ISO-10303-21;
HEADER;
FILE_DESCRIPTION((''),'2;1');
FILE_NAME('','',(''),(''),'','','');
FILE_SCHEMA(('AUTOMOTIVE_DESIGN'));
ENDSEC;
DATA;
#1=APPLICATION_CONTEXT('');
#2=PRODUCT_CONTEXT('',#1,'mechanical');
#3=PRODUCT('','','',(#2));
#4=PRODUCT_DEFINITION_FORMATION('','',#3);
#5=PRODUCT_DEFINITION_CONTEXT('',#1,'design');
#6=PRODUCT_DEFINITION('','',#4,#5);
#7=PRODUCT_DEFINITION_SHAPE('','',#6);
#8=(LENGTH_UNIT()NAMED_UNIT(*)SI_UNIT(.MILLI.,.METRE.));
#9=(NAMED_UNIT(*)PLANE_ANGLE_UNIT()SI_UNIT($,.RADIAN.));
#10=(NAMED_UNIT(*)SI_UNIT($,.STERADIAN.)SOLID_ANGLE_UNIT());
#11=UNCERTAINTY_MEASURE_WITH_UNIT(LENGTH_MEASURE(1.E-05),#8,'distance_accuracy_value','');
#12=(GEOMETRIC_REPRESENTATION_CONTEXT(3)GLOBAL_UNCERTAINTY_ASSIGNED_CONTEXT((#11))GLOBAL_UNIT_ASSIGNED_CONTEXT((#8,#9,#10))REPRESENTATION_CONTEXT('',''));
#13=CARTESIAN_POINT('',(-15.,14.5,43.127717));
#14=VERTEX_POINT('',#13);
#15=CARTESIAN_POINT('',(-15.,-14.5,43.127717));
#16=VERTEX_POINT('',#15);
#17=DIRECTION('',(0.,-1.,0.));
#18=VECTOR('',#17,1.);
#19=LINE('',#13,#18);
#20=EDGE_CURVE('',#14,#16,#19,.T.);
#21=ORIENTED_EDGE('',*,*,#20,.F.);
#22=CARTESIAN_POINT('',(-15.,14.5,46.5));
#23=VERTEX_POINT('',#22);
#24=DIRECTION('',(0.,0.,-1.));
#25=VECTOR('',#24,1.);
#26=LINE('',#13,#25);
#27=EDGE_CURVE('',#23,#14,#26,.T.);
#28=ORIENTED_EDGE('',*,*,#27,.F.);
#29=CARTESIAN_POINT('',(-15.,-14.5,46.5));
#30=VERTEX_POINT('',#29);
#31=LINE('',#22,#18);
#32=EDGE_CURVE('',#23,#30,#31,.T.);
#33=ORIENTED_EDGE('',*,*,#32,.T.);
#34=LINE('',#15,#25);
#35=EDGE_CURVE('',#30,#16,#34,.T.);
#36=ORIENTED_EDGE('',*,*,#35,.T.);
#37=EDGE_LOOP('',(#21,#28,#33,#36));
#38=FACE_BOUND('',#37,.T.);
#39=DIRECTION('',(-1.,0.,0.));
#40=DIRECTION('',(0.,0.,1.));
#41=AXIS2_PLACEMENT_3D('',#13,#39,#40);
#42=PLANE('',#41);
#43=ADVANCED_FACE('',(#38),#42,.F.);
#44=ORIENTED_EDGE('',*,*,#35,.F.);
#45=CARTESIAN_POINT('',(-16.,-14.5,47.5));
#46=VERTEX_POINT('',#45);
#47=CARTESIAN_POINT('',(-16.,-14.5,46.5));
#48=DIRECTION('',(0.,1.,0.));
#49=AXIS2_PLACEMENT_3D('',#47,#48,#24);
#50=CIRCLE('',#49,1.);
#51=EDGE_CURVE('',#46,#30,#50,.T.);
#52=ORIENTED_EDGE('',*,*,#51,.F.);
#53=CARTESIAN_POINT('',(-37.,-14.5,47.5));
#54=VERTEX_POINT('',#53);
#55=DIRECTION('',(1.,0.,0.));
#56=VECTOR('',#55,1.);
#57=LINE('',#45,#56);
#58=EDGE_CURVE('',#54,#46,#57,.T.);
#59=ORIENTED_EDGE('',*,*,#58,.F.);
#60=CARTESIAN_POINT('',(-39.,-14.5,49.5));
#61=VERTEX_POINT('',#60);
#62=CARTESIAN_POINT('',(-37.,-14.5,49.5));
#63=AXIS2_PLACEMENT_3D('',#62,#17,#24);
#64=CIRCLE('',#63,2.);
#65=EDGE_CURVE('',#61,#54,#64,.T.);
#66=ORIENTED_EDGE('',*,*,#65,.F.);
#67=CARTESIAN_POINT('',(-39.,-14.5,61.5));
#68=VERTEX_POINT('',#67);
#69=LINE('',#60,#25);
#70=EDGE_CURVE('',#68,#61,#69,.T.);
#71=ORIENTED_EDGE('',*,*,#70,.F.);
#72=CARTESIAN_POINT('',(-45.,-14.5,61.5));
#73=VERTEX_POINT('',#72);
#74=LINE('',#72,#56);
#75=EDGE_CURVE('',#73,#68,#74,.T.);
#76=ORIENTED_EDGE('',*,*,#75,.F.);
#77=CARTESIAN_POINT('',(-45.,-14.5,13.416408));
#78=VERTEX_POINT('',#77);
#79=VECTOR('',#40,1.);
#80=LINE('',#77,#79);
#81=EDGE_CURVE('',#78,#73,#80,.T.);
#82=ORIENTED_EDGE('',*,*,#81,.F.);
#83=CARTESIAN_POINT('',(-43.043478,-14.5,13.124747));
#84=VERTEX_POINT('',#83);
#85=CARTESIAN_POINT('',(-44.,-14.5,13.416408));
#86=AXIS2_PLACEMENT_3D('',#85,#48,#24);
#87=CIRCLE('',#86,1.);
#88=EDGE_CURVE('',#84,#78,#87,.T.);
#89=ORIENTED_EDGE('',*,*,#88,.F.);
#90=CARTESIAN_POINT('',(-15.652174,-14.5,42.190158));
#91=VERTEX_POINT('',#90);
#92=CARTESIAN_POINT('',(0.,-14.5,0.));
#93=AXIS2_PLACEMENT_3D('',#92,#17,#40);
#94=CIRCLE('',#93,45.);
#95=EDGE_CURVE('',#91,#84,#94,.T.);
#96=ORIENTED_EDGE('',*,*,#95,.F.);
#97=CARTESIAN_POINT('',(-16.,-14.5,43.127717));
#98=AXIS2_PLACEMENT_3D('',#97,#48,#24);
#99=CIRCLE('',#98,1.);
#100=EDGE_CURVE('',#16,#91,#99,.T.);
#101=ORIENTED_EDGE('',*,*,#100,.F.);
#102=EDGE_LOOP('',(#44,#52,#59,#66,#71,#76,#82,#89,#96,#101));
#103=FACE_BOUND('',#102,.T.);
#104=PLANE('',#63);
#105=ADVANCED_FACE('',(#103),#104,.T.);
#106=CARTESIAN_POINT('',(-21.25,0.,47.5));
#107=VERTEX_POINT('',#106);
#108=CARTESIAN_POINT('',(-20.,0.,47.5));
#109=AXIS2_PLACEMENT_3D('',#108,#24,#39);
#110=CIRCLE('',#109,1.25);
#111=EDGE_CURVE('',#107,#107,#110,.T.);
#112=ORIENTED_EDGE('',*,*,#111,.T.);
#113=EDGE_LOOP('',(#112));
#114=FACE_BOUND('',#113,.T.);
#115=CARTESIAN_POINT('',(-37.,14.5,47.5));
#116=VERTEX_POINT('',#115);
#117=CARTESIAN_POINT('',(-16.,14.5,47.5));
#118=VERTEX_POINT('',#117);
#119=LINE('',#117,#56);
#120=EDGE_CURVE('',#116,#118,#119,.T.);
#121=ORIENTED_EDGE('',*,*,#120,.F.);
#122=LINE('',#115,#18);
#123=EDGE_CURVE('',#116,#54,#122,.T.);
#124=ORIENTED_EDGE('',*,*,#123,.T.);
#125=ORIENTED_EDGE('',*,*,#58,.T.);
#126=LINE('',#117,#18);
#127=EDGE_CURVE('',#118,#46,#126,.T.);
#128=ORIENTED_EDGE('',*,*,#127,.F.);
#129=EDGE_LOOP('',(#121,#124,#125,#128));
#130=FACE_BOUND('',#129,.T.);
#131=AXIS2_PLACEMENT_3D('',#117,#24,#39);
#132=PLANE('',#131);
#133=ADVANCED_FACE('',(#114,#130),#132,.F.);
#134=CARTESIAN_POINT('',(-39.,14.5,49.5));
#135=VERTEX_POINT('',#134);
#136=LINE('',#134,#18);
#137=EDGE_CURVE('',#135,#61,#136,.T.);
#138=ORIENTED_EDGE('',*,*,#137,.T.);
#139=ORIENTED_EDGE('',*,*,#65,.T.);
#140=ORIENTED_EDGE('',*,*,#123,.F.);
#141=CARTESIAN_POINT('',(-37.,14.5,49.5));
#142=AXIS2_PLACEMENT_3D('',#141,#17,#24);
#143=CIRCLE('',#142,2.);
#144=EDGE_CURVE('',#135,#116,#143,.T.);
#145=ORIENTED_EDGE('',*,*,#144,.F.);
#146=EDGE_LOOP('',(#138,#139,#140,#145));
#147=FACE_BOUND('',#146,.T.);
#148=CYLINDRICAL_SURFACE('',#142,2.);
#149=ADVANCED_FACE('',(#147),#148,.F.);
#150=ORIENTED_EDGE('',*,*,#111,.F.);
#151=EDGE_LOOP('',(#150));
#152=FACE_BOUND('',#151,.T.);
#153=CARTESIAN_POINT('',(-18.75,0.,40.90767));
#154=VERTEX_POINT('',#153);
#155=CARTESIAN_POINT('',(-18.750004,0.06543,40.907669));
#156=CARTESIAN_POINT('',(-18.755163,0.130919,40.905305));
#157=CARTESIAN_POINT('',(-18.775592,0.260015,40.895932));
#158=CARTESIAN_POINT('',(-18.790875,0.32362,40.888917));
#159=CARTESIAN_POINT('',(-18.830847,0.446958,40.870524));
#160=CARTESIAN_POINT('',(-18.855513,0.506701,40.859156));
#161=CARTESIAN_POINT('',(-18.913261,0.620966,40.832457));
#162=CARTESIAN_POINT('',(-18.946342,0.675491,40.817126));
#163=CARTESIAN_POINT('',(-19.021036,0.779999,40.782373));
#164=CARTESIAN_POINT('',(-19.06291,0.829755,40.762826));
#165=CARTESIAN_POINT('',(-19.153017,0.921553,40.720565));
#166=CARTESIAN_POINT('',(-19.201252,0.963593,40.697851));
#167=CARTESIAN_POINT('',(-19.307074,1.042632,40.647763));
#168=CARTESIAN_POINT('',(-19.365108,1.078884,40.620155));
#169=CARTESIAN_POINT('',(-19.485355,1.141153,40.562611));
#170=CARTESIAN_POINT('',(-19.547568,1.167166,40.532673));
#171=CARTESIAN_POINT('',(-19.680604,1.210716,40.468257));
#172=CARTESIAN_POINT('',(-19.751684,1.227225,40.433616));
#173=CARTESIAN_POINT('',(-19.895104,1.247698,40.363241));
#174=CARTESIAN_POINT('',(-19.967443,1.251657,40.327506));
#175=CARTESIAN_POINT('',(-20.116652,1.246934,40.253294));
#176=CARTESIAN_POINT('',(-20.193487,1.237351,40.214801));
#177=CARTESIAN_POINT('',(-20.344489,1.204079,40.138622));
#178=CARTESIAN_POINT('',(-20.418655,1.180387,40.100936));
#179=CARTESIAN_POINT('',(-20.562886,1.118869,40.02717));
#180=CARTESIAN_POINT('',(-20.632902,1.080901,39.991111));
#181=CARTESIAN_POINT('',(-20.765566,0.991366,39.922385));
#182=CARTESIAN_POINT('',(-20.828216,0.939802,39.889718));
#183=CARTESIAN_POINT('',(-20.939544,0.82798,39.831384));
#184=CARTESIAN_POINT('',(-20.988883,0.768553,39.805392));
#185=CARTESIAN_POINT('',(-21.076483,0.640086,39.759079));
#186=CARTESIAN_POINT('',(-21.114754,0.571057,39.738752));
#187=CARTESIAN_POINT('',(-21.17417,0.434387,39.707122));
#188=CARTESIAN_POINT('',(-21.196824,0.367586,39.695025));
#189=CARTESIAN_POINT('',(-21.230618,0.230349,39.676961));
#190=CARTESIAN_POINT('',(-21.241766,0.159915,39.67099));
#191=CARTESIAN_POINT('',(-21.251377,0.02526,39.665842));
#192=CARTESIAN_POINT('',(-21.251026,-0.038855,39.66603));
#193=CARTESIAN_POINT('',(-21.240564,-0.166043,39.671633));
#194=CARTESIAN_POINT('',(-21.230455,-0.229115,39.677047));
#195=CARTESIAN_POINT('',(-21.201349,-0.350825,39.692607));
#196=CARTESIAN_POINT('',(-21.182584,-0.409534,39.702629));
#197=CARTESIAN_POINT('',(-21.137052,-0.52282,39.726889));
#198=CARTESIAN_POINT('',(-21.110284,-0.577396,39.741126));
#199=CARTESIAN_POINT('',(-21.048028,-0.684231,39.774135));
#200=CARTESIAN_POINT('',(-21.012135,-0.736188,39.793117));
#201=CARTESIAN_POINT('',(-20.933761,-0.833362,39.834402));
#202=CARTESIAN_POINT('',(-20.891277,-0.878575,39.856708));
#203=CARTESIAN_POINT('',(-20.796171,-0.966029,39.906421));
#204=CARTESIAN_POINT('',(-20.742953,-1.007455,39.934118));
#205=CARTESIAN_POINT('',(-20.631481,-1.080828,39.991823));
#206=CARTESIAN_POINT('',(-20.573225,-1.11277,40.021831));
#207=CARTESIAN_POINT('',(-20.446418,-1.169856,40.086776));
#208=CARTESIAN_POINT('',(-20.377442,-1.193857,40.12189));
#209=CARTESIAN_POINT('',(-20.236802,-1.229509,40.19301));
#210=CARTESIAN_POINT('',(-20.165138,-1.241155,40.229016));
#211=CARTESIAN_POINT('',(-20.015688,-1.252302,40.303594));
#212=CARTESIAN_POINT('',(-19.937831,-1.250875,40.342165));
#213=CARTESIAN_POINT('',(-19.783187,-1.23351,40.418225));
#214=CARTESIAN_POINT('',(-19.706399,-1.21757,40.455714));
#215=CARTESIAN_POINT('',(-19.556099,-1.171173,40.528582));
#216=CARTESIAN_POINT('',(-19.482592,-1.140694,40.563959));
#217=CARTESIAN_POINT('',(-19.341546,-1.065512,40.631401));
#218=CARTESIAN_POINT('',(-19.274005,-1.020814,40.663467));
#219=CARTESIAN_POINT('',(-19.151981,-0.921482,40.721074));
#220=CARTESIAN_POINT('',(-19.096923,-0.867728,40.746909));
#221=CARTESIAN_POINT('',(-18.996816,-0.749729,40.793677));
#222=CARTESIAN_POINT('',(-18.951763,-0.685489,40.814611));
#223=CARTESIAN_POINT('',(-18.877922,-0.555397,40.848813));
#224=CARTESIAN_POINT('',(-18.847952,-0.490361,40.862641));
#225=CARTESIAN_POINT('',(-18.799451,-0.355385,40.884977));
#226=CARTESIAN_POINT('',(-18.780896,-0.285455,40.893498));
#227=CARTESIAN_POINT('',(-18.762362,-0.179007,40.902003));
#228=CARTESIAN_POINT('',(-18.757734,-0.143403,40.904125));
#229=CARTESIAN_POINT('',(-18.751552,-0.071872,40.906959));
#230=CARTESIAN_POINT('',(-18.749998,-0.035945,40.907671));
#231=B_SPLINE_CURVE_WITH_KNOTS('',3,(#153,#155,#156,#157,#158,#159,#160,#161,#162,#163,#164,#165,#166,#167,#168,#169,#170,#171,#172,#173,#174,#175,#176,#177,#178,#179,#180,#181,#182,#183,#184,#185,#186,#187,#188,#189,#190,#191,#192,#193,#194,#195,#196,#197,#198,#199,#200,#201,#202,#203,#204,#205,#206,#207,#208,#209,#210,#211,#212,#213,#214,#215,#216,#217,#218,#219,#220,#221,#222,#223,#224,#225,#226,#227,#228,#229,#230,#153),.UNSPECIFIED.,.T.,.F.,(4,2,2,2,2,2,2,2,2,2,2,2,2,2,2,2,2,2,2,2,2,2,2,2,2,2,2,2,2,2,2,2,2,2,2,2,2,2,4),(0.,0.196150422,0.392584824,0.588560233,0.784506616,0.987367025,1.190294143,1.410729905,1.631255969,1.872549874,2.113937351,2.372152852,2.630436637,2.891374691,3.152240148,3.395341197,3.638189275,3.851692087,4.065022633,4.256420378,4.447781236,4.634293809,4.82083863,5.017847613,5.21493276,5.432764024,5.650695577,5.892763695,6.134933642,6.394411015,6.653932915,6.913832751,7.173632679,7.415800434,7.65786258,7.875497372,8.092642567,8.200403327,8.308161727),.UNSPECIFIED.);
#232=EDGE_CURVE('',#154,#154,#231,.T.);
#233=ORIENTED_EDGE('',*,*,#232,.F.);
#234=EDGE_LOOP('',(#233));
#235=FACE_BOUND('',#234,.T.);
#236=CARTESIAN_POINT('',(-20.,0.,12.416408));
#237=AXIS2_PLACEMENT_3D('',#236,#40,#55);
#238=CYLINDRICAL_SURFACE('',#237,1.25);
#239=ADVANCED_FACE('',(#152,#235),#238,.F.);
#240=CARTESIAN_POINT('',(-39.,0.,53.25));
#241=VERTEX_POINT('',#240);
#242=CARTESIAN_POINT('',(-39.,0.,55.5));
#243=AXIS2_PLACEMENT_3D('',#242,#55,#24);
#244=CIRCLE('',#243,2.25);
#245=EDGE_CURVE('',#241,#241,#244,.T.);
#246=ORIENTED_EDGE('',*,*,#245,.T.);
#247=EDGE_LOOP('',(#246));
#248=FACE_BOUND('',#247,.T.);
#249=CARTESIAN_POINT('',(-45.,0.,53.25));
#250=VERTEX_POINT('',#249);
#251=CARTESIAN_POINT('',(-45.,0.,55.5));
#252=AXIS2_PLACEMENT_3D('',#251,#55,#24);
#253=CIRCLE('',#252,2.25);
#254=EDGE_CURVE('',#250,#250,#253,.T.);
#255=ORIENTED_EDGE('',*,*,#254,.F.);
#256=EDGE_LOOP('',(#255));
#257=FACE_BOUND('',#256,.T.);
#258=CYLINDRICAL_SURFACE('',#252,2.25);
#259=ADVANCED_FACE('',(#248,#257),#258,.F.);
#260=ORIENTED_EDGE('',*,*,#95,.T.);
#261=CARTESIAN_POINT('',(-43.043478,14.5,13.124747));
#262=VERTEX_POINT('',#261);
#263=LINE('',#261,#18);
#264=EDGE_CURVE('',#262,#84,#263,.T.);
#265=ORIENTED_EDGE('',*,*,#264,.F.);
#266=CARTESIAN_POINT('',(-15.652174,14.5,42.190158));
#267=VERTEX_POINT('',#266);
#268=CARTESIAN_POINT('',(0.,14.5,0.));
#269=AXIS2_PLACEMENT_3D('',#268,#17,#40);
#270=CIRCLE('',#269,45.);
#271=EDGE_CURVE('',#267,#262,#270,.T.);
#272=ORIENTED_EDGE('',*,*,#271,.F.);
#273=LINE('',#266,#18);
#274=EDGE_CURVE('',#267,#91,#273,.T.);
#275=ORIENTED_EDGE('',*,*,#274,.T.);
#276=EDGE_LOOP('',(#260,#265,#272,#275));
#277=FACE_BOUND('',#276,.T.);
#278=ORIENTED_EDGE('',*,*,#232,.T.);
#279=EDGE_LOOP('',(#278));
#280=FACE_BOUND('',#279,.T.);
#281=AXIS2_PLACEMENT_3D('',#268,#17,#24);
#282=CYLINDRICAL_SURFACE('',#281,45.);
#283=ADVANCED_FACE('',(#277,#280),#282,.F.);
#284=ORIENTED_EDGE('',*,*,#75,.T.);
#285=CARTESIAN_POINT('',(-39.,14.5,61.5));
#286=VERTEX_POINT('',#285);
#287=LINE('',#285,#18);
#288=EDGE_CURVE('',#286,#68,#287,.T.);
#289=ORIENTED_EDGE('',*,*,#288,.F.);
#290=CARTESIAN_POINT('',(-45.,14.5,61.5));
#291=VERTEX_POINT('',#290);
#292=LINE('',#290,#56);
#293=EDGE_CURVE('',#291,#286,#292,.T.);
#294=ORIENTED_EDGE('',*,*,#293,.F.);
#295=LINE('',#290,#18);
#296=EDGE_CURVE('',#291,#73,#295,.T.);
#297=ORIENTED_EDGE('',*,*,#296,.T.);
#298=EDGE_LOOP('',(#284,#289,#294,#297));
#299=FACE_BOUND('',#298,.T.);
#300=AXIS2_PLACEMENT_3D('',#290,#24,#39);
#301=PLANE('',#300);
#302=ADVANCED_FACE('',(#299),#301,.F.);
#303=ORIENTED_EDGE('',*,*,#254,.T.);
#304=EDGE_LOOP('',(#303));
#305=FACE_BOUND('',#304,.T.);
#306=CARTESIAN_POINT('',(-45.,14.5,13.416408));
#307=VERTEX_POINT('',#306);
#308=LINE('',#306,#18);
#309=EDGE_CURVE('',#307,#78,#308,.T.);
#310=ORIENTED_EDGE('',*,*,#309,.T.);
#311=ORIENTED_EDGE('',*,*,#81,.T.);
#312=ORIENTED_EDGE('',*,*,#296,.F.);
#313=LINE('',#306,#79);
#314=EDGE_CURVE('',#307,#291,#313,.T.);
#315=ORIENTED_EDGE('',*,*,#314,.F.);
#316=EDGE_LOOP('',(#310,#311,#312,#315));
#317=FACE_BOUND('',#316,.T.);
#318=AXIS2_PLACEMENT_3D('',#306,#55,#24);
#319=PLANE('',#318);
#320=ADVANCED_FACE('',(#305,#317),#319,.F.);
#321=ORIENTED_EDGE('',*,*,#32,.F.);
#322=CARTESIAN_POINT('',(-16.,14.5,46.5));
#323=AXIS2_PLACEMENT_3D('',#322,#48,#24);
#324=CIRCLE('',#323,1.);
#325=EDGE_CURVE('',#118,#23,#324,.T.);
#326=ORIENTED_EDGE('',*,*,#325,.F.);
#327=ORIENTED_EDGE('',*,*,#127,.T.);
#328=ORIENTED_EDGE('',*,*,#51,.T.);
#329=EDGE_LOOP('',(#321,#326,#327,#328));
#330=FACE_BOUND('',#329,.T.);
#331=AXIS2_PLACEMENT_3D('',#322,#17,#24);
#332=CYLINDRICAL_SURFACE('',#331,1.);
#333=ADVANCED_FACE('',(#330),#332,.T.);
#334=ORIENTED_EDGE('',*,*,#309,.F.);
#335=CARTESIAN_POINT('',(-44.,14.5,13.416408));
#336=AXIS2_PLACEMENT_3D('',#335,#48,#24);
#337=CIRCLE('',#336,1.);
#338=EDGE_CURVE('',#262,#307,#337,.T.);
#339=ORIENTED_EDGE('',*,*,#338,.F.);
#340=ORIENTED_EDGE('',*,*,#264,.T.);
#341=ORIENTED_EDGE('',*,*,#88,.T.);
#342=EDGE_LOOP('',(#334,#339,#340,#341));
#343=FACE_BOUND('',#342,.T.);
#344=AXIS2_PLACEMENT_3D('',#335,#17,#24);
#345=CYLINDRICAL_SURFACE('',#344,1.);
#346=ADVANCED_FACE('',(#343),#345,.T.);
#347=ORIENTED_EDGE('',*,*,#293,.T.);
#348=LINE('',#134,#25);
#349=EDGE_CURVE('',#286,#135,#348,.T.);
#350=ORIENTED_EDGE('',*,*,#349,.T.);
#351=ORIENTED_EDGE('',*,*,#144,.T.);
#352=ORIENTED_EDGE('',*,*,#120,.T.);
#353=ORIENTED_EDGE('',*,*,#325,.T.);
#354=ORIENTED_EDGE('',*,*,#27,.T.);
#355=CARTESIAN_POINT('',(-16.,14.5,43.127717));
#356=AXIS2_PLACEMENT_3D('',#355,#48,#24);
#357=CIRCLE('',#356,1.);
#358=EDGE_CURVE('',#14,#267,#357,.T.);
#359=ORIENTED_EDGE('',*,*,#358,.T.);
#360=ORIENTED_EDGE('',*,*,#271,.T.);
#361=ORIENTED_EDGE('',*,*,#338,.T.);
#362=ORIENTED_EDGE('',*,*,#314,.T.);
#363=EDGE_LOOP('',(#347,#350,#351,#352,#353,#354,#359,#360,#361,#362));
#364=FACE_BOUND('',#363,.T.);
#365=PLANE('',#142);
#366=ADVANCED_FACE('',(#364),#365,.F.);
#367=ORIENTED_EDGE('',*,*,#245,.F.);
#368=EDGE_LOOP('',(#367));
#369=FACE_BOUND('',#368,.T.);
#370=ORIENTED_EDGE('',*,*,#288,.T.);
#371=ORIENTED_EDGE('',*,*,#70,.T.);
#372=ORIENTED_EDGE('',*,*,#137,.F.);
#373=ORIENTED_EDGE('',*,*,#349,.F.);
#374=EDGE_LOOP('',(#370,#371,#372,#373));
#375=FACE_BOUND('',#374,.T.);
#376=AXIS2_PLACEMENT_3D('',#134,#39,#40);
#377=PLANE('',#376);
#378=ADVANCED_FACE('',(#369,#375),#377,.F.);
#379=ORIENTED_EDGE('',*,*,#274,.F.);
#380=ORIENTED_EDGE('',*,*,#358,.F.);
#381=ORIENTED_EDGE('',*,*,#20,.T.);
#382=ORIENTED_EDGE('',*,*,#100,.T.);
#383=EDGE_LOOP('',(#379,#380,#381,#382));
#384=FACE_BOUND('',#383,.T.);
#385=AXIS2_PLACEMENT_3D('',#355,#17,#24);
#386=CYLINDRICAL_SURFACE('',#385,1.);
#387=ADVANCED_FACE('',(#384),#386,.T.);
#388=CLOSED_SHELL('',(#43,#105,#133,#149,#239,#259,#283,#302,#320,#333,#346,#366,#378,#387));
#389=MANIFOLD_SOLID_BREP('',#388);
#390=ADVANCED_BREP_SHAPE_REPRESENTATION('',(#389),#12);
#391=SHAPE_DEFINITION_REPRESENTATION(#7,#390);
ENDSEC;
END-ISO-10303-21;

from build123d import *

# Parameters (mm, degrees)
BOSS_EXTRUDE1_DEPTH     = 14.5
SKETCH2_R               = 2.25
CUT_EXTRUDE1_DEPTH      = 68.590679831
CUT_EXTRUDE2_DEPTH      = 59.873665056
CUT_EXTRUDE2_DEPTH_BACK = 59.873665056
SKETCH3_R               = 1.25


with BuildPart() as part:
    # Sketch1 → Boss-Extrude1 (new, symmetric)
    with BuildSketch(Plane(origin=(0, 0, 0), x_dir=(1, 0, 0), z_dir=(0, 1, 0))):
        with BuildLine():
            Line((-45, -13.416407865), (-45, -61.5))
            Line((-45, -61.5), (-39, -61.5))
            Line((-39, -61.5), (-39, -49.5))
            ThreePointArc((-39, -49.5), (-38.414213562, -48.085786438), (-37, -47.5))
            Line((-37, -47.5), (-16, -47.5))
            ThreePointArc((-16, -47.5), (-15.292893219, -47.207106781), (-15, -46.5))
            Line((-15, -46.5), (-15, -43.127717306))
            ThreePointArc((-15, -43.127717306), (-15.179077931, -42.556677065), (-15.652173913, -42.190158234))
            ThreePointArc((-15.652173913, -42.190158234), (-32.748960764, -30.862688944), (-43.043478261, -13.124746824))
            ThreePointArc((-43.043478261, -13.124746824), (-44.147441956, -12.427337155), (-45, -13.416407865))
        make_face()
    extrude(amount=BOSS_EXTRUDE1_DEPTH, both=True)

    # Sketch2 → Cut-Extrude1 (cut, through all)
    with BuildSketch(Plane(origin=(-39, 0, 0), x_dir=(0, 0, -1), z_dir=(1, 0, 0))):
        with Locations((-55.5, 0)):
            Circle(SKETCH2_R)
    extrude(amount=-CUT_EXTRUDE1_DEPTH, mode=Mode.SUBTRACT)

    # Sketch3 → Cut-Extrude2 (cut, two sides: drawn at the far end of the back side and taken through both)
    with BuildSketch(Plane.XY.offset(47.5).offset(-CUT_EXTRUDE2_DEPTH_BACK)):
        with Locations((-20, 0)):
            Circle(SKETCH3_R)
    extrude(amount=CUT_EXTRUDE2_DEPTH + CUT_EXTRUDE2_DEPTH_BACK, mode=Mode.SUBTRACT)


solid = part.part
